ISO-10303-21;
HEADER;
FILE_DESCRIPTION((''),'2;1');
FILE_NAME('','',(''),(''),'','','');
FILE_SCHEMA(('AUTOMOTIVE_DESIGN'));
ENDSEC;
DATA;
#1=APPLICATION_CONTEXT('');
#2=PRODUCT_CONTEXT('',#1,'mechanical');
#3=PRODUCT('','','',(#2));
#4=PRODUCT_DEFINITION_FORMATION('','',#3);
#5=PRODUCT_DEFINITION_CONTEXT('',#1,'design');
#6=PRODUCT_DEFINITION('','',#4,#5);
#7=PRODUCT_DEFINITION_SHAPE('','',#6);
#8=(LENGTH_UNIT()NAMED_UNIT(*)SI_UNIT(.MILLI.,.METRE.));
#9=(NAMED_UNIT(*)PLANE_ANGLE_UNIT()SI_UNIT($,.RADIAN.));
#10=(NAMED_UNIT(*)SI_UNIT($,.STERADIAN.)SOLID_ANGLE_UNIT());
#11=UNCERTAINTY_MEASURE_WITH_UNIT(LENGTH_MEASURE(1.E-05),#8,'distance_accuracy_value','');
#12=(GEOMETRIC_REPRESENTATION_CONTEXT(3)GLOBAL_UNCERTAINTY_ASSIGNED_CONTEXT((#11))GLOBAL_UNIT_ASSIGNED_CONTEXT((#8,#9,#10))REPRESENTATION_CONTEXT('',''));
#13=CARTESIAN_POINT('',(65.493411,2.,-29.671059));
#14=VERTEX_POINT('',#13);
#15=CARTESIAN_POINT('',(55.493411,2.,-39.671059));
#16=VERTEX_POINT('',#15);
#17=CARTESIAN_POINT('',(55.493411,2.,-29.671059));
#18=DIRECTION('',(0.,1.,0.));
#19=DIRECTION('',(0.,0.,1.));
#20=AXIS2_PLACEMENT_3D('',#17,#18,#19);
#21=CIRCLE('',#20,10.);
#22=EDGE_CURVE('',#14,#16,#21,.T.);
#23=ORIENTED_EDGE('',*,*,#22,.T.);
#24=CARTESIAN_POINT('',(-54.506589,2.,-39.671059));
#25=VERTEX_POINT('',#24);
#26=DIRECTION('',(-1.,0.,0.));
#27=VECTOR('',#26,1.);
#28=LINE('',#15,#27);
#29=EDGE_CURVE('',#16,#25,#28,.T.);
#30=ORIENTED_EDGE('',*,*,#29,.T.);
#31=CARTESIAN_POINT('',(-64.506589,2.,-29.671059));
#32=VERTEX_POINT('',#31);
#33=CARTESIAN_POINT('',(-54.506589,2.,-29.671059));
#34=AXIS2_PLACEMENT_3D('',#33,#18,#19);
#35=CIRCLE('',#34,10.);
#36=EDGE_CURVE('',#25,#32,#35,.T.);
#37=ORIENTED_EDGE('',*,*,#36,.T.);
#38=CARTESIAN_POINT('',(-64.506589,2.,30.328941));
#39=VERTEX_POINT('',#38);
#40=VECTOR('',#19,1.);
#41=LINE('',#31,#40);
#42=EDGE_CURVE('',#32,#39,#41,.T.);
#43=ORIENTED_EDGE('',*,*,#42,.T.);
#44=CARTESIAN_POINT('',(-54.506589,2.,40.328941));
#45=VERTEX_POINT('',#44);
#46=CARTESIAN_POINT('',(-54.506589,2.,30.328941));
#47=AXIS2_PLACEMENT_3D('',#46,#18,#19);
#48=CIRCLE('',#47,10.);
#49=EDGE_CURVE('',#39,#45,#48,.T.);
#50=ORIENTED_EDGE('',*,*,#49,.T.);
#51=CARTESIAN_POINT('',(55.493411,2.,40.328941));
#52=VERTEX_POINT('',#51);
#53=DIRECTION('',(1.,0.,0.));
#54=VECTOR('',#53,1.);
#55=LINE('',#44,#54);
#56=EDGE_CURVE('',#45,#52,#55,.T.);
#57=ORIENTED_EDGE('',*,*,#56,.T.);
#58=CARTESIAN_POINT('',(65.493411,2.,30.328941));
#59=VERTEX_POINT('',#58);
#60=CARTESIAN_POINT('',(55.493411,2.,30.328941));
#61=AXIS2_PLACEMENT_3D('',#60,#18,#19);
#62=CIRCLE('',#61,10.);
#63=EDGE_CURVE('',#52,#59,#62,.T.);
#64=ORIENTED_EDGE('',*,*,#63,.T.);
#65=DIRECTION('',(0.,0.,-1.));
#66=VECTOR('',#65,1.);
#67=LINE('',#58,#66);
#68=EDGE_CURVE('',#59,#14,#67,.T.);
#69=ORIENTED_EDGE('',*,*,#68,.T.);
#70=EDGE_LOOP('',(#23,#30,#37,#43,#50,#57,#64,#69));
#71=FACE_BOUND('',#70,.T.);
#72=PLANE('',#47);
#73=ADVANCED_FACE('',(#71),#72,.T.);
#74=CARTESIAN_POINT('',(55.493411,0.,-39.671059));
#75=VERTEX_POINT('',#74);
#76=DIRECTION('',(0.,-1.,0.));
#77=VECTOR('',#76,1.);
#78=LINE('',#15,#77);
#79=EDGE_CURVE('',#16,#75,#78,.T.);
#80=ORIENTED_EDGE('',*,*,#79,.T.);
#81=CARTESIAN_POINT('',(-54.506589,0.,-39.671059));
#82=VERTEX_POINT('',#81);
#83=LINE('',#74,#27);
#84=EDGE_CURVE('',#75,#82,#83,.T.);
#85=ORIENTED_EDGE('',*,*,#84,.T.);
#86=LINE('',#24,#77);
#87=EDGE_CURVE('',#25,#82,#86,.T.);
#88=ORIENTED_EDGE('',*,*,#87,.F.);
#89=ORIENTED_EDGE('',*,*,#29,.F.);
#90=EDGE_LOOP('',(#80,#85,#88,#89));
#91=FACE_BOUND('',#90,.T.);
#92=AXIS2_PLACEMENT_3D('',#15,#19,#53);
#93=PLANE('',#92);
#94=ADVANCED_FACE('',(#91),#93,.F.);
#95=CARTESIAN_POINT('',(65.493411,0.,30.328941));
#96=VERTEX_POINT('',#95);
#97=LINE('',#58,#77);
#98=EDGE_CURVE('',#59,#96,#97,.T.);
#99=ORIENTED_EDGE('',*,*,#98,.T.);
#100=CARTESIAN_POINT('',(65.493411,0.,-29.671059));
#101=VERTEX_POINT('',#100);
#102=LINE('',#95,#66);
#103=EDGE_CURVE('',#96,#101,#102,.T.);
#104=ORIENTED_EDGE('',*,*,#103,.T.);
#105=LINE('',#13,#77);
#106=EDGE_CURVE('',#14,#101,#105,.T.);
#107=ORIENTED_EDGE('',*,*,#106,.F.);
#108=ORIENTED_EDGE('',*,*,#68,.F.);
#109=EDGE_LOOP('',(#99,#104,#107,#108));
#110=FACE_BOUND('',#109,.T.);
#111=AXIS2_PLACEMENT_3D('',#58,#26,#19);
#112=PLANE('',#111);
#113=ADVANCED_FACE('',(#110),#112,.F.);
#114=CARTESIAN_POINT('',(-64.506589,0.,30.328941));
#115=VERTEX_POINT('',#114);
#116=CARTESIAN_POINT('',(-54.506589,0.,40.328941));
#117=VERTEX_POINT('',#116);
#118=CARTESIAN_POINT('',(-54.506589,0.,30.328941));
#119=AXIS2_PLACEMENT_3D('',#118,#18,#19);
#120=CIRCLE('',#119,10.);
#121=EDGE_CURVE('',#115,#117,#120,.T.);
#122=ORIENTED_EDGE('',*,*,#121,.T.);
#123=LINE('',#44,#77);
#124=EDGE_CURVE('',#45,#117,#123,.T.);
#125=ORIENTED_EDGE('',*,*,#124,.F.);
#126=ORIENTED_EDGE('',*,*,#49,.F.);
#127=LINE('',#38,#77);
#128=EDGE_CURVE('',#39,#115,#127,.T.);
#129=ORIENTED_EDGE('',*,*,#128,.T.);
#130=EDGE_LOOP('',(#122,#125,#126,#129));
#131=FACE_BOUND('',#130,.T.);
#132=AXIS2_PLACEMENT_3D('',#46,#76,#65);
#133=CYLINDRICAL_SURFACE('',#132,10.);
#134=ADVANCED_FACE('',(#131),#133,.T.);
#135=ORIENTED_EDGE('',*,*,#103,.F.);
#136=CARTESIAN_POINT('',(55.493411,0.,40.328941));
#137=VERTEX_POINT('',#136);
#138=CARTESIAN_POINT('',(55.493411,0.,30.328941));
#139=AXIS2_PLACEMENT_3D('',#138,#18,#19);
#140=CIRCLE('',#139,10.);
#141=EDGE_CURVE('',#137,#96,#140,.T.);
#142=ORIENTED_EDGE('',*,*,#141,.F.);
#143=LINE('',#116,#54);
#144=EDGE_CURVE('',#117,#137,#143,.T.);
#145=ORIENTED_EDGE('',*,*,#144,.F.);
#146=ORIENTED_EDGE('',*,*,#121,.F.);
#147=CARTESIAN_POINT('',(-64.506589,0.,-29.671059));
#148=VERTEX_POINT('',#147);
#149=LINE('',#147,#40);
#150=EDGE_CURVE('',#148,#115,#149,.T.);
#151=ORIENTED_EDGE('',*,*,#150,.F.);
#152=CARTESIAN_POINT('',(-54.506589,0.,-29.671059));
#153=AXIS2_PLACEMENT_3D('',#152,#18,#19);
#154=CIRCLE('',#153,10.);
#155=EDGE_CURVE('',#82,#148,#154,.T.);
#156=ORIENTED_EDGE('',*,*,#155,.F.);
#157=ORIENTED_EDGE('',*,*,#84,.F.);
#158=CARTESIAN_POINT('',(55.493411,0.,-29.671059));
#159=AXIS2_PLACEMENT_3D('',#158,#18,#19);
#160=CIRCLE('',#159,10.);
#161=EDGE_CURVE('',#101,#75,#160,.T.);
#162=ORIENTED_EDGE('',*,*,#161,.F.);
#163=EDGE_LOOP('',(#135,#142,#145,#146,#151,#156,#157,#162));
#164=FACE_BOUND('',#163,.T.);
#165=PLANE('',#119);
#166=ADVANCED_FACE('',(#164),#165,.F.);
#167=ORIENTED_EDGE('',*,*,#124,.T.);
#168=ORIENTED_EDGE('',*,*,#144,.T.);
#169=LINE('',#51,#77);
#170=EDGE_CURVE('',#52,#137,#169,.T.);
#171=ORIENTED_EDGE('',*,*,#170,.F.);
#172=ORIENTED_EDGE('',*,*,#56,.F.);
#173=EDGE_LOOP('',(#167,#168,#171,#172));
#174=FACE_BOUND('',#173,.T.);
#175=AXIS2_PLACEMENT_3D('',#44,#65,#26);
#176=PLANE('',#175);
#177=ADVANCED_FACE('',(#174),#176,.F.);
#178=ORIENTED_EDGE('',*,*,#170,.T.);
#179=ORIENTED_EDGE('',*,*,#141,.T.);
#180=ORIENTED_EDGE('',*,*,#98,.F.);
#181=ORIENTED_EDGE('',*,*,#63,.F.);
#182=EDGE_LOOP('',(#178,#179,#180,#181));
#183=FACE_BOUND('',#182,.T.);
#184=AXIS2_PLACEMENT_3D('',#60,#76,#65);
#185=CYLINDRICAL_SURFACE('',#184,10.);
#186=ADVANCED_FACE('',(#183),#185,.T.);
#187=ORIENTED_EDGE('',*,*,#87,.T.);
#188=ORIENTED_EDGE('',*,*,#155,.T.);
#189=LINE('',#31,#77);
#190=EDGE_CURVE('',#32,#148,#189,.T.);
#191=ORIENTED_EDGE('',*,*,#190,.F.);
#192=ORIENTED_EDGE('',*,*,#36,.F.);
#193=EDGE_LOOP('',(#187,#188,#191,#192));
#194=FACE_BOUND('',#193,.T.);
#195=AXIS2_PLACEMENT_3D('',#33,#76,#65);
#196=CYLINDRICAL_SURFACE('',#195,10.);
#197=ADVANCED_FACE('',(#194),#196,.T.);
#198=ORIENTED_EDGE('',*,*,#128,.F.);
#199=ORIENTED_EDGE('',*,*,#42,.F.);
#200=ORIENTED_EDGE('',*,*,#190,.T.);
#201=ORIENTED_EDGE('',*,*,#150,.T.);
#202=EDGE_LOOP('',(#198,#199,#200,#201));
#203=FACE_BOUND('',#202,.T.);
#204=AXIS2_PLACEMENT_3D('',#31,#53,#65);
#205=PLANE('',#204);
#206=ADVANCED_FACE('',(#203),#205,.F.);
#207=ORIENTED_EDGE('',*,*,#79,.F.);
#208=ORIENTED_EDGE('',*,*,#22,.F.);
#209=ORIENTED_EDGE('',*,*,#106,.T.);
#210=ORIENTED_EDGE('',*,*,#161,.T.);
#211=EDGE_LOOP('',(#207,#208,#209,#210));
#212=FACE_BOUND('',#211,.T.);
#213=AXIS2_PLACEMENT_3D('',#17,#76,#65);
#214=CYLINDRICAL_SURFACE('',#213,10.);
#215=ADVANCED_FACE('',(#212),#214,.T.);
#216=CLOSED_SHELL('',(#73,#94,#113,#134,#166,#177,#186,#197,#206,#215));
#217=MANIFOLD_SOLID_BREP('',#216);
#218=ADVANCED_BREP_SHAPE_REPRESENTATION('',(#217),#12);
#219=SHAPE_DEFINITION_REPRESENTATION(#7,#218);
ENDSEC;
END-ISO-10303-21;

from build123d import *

# Parameters (mm, degrees)
BOSS_EXTRUDE1_DEPTH = 2


with BuildPart() as part:
    # Sketch1 → Boss-Extrude1 (new body)
    with BuildSketch(Plane(origin=(0, 0, 0), x_dir=(1, 0, 0), z_dir=(0, 1, 0))):
        with BuildLine():
            Line((-54.506589101, -40.328940599), (55.493410899, -40.328940599))
            ThreePointArc((55.493410899, -40.328940599), (62.564478711, -37.400008411), (65.493410899, -30.328940599))
            Line((65.493410899, -30.328940599), (65.493410899, 29.671059401))
            ThreePointArc((65.493410899, 29.671059401), (62.564478711, 36.742127213), (55.493410899, 39.671059401))
            Line((55.493410899, 39.671059401), (-54.506589101, 39.671059401))
            ThreePointArc((-54.506589101, 39.671059401), (-61.577656913, 36.742127213), (-64.506589101, 29.671059401))
            Line((-64.506589101, 29.671059401), (-64.506589101, -30.328940599))
            ThreePointArc((-64.506589101, -30.328940599), (-61.577656913, -37.400008411), (-54.506589101, -40.328940599))
        make_face()
    extrude(amount=BOSS_EXTRUDE1_DEPTH)


solid = part.part
